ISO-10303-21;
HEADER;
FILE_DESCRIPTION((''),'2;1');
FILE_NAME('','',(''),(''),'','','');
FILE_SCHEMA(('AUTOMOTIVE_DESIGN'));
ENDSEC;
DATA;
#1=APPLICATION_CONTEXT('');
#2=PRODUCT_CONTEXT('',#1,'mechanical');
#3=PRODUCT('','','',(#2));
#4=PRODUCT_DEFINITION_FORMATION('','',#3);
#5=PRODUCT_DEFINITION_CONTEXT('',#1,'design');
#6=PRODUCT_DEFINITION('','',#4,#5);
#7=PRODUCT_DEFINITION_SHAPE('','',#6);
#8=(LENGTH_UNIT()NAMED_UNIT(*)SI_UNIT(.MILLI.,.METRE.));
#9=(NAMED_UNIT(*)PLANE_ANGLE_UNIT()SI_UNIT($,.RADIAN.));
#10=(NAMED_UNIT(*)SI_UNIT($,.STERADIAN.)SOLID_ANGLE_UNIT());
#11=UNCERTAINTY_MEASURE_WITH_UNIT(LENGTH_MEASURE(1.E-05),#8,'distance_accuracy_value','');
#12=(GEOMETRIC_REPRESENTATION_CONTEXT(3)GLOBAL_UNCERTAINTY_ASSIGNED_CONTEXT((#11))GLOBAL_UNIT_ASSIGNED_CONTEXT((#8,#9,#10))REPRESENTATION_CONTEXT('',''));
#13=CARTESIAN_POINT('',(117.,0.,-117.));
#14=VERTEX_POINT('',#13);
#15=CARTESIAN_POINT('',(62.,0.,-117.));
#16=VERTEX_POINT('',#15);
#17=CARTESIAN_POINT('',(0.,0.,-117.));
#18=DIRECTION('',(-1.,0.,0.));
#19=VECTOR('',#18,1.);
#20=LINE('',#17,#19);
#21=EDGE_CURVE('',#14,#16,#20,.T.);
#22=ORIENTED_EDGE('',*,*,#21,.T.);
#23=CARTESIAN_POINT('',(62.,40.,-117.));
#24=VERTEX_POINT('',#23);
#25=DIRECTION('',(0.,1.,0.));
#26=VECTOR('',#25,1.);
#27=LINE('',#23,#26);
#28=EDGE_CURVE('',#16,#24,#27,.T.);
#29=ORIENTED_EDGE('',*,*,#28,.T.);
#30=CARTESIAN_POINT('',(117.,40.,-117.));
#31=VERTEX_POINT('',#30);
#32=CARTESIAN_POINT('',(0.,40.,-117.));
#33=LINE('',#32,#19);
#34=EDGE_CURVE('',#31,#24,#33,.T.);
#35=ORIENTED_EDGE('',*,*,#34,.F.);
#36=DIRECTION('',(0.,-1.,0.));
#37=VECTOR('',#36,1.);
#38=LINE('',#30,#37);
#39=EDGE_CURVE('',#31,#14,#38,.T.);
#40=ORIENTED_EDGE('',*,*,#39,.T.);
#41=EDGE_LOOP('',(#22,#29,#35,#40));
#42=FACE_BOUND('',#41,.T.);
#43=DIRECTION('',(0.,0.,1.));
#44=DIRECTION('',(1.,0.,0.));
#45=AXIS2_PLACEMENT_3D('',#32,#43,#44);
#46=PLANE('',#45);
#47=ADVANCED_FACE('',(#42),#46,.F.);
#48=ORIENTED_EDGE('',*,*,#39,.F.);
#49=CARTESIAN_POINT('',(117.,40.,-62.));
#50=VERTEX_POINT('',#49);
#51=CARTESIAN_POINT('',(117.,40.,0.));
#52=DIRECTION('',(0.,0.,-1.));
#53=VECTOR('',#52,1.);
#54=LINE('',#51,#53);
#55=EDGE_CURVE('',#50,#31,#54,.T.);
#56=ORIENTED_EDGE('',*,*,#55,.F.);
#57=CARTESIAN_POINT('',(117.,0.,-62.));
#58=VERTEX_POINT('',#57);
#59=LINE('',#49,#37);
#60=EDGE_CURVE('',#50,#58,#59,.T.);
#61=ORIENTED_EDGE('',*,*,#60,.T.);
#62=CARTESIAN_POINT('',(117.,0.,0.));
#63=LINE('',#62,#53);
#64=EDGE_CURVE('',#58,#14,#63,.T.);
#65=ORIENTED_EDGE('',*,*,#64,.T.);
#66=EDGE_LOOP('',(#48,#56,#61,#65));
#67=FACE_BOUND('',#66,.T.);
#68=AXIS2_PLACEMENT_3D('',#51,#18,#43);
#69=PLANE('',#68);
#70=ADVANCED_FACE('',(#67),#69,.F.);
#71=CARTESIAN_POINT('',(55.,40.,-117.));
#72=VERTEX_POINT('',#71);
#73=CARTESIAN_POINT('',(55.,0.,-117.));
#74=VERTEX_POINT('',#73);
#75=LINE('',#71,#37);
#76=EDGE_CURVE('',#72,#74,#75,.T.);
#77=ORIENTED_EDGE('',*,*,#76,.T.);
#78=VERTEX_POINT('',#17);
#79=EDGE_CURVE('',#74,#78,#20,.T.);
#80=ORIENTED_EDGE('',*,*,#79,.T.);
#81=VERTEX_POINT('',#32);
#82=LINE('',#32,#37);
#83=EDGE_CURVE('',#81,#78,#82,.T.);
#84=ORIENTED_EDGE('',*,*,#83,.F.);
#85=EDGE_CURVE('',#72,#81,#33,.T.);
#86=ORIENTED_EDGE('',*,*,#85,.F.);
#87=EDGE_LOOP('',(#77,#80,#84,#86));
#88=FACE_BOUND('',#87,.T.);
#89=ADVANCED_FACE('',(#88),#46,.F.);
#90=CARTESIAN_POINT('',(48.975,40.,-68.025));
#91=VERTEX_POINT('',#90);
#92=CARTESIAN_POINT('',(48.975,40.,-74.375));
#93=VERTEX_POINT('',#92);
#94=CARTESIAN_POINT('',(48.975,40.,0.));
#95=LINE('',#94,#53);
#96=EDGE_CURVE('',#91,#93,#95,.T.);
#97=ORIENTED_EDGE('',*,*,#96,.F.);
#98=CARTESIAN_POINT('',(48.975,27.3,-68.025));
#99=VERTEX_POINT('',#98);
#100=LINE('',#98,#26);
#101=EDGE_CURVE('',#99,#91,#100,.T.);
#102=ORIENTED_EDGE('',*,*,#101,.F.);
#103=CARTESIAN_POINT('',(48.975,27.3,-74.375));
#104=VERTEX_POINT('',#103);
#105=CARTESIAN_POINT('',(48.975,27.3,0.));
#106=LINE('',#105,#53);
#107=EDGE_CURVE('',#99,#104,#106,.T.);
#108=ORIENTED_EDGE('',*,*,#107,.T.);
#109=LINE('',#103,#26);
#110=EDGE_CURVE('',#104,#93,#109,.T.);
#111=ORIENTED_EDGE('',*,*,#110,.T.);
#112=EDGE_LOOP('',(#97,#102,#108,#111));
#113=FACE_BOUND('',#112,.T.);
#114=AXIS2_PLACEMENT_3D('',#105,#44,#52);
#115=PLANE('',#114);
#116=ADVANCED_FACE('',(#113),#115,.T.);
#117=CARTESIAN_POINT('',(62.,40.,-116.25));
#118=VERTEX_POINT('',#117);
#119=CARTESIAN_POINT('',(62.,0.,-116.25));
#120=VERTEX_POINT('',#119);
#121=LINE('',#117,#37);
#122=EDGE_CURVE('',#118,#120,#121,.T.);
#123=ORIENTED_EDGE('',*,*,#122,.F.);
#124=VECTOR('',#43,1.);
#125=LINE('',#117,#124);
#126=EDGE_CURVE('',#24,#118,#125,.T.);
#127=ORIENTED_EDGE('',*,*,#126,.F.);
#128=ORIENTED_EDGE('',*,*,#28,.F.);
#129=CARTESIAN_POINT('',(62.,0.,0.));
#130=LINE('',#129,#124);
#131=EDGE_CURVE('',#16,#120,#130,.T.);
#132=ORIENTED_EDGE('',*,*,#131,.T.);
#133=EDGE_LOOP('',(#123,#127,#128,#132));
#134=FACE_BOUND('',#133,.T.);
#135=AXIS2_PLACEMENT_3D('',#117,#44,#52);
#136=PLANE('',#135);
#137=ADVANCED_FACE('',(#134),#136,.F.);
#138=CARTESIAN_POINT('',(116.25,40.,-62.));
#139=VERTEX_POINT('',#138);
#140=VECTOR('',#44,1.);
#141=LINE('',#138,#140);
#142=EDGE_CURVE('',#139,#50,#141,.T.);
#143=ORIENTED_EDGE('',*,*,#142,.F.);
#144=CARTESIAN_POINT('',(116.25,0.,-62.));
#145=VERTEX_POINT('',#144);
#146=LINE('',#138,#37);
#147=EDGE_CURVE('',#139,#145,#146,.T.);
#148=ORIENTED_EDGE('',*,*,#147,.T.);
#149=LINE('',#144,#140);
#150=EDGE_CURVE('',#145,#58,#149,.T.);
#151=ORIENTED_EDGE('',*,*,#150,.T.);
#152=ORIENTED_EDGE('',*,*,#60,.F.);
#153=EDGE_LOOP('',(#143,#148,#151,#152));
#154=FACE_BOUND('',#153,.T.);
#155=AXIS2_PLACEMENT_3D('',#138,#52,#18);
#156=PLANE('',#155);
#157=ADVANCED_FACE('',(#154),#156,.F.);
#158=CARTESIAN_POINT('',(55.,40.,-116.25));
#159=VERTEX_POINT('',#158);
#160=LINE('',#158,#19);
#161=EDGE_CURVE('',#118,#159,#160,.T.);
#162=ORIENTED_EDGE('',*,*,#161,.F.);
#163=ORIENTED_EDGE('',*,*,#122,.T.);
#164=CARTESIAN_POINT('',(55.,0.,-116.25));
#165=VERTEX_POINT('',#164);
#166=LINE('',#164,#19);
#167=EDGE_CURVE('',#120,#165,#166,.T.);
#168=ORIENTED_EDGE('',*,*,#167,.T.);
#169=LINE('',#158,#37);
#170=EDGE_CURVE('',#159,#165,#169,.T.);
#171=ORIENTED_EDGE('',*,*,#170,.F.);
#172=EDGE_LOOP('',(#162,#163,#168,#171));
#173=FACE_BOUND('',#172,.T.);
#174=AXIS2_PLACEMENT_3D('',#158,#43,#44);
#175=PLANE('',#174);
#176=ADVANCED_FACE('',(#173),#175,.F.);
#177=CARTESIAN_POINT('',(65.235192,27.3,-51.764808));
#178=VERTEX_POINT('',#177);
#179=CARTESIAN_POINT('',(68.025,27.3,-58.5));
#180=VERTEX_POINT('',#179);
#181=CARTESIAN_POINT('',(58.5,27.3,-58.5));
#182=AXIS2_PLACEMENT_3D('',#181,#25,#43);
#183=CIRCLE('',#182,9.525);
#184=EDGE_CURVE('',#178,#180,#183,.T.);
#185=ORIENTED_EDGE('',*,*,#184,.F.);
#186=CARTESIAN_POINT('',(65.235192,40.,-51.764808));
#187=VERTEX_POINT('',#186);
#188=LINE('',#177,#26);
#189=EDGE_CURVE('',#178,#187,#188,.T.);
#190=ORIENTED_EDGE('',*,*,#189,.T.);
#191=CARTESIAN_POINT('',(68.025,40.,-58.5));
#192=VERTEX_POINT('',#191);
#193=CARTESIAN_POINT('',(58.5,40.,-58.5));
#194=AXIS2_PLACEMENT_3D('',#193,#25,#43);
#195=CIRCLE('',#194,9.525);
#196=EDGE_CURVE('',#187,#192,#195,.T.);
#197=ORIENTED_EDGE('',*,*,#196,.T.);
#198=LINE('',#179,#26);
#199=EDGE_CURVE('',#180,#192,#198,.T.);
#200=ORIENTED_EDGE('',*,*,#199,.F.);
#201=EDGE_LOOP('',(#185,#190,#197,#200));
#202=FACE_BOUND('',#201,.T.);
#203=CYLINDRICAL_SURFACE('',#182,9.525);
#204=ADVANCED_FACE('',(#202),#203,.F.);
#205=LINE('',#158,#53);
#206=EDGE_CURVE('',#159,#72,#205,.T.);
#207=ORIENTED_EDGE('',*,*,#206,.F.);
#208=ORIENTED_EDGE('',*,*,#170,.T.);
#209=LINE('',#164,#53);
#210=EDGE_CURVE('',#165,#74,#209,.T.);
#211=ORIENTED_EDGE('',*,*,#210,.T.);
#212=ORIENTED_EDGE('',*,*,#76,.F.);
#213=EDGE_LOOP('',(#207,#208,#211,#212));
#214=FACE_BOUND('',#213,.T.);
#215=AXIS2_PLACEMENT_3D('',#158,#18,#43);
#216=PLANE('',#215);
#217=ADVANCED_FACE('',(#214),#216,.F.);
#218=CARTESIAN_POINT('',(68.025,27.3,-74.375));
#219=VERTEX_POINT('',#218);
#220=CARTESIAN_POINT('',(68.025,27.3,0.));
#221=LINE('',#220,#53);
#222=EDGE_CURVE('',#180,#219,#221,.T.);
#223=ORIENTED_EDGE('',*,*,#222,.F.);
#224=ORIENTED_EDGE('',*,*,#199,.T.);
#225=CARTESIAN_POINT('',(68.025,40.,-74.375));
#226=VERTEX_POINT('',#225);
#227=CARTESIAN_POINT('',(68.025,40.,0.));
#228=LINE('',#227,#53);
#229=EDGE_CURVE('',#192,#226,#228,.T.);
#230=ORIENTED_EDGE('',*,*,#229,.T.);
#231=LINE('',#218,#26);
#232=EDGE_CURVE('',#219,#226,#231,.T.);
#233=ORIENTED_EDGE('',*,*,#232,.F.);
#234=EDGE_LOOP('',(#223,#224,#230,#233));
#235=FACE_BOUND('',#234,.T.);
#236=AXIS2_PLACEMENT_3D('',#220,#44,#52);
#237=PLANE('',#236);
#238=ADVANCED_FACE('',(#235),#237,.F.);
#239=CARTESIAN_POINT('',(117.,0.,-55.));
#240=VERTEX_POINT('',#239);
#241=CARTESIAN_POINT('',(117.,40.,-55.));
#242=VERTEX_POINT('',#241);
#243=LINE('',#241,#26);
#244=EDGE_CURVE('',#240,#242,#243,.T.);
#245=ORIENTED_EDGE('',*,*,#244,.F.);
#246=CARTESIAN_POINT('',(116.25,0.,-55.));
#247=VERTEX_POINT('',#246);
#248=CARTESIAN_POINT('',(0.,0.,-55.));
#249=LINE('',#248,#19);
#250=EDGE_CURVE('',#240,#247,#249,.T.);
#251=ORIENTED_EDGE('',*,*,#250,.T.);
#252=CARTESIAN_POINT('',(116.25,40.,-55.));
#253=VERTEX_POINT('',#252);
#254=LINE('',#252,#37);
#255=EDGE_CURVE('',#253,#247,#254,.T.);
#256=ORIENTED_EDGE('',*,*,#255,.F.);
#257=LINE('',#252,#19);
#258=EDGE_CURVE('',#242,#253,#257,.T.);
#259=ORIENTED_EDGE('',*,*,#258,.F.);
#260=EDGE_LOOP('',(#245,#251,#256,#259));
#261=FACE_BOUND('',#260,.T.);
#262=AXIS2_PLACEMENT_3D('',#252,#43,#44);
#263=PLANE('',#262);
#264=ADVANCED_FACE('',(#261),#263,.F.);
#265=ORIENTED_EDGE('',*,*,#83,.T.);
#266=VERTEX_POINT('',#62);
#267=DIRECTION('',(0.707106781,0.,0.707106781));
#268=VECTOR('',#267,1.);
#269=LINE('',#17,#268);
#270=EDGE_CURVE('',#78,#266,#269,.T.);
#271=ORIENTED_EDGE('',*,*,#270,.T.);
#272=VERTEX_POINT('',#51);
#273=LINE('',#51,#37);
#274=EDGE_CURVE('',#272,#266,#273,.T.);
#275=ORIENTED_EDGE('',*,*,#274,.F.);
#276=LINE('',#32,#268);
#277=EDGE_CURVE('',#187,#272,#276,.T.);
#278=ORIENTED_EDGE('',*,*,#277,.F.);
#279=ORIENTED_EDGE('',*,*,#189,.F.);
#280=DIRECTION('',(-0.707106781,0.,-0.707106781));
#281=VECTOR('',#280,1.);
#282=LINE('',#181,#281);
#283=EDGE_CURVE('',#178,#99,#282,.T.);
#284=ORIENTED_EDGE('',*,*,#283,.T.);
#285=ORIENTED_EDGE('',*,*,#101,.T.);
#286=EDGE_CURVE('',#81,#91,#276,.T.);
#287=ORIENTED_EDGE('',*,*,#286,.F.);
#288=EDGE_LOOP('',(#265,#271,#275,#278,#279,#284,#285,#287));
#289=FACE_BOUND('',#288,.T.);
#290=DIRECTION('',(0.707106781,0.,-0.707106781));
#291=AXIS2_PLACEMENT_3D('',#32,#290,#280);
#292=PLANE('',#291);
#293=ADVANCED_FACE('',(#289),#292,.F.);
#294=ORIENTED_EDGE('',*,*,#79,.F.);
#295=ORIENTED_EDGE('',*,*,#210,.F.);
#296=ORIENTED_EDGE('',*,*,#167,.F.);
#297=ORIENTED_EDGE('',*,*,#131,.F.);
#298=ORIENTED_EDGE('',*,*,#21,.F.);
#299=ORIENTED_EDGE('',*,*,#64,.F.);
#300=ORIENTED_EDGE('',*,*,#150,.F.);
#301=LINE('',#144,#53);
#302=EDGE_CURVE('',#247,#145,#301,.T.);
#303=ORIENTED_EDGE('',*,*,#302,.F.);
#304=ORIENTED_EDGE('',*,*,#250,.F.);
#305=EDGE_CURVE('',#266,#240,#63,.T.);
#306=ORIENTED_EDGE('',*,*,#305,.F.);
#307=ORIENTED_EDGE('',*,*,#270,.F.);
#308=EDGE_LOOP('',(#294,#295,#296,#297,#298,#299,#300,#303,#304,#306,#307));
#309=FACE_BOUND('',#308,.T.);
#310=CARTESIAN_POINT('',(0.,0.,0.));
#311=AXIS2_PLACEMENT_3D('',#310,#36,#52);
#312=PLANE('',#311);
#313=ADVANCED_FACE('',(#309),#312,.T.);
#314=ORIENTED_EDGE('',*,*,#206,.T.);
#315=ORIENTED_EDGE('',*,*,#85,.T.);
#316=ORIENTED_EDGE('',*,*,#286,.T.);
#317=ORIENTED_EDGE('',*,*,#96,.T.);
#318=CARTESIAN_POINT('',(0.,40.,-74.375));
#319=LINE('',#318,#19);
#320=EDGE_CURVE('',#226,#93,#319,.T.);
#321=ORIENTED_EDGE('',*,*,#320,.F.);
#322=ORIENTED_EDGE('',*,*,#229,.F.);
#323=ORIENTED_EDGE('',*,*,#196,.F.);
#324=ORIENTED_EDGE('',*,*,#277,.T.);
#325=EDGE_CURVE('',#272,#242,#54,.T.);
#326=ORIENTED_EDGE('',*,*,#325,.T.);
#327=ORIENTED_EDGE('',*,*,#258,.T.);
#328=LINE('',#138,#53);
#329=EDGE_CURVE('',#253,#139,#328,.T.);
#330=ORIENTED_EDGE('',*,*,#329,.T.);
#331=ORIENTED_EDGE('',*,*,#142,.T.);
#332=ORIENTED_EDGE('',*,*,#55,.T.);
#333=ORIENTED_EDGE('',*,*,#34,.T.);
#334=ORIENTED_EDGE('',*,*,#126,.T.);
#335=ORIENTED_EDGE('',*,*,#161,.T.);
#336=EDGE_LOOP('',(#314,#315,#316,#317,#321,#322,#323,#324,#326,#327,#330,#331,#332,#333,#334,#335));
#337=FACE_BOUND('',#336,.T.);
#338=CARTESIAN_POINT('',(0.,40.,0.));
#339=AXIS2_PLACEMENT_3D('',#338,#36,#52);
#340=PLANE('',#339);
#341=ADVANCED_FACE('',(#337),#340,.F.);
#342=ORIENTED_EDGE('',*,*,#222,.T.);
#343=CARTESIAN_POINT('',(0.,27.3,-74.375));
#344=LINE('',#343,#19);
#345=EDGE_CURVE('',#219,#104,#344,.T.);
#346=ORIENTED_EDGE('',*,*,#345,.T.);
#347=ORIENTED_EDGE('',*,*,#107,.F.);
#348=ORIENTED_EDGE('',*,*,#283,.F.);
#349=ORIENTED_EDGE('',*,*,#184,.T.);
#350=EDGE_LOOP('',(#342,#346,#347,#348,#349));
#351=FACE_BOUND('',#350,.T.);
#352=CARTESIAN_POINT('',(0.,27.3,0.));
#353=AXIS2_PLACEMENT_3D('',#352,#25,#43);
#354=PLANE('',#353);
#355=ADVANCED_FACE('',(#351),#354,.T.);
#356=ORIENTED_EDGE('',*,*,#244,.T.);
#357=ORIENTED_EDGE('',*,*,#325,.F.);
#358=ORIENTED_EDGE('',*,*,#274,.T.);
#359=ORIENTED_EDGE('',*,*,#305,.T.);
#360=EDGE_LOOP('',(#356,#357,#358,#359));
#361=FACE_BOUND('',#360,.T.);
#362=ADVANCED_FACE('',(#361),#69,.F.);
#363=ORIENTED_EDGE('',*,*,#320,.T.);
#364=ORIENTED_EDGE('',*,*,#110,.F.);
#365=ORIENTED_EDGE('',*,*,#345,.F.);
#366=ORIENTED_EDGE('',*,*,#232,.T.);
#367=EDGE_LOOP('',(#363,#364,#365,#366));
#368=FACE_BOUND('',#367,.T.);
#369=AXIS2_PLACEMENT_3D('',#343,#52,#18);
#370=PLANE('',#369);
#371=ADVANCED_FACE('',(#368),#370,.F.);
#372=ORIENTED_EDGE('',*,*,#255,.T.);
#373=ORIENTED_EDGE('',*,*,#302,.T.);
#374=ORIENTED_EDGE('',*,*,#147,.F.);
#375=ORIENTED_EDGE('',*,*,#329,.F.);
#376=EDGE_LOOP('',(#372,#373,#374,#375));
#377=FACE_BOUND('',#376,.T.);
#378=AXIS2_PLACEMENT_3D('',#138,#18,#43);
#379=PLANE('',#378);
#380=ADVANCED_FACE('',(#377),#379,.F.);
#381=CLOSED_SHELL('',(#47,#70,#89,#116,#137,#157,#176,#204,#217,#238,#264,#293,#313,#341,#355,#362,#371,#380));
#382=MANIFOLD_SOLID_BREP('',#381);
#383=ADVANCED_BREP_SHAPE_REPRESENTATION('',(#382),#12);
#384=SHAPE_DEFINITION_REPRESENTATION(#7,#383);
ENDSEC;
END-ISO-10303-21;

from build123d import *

# Parameters (mm, degrees)
SKETCH1_W           = 117
SKETCH1_H           = 117
BOSS_EXTRUDE1_DEPTH = 40
SKETCH2_W           = 10.53028371
SKETCH2_H           = 7.9375
CUT_EXTRUDE1_DEPTH  = 12.7
SKETCH7_W           = 7
SKETCH7_H           = 1.5
CUT_EXTRUDE5_DEPTH  = 171.22925718
CIRPATTERN3_COUNT   = 3
CIRPATTERN3_ANGLE   = 180
CUT_EXTRUDE12_DEPTH = 171.22925718


with BuildPart() as part:
    # Sketch1 → Boss-Extrude1 (new body)
    with BuildSketch(Plane(origin=(0, 0, 0), x_dir=(1, 0, 0), z_dir=(0, 1, 0))):
        with Locations((58.5, 58.5)):
            Rectangle(SKETCH1_W, SKETCH1_H)
    extrude(amount=BOSS_EXTRUDE1_DEPTH)

    # Sketch2 → Cut-Extrude1 (cut)
    with BuildSketch(Plane(origin=(0, 40, 0), x_dir=(1, 0, 0), z_dir=(0, 1, 0))):
        with BuildLine():
            ThreePointArc((63.765141855, 66.4375), (66.892737967, 63.004173), (68.025, 58.5))
            Line((68.025, 58.5), (68.025, 74.375))
            Line((68.025, 74.375), (48.975, 74.375))
            Line((48.975, 74.375), (48.975, 58.5))
            ThreePointArc((48.975, 58.5), (50.107262033, 63.004173), (53.234858145, 66.4375))
            ThreePointArc((53.234858145, 66.4375), (58.5, 68.025), (63.765141855, 66.4375))
        make_face()
        with BuildLine():
            ThreePointArc((63.765141855, 50.5625), (66.892737967, 53.995827), (68.025, 58.5))
            Line((68.025, 58.5), (63.765141855, 58.5))
            Line((63.765141855, 58.5), (63.765141855, 50.5625))
        make_face()
        with BuildLine():
            Line((63.765141855, 58.5), (68.025, 58.5))
            ThreePointArc((68.025, 58.5), (66.892737967, 63.004173), (63.765141855, 66.4375))
            Line((63.765141855, 66.4375), (63.765141855, 58.5))
        make_face()
        with BuildLine():
            Line((53.234858145, 50.5625), (53.234858145, 58.5))
            Line((53.234858145, 58.5), (48.975, 58.5))
            ThreePointArc((48.975, 58.5), (50.107262033, 53.995827), (53.234858145, 50.5625))
        make_face()
        with BuildLine():
            Line((48.975, 58.5), (53.234858145, 58.5))
            Line((53.234858145, 58.5), (53.234858145, 66.4375))
            ThreePointArc((53.234858145, 66.4375), (50.107262033, 63.004173), (48.975, 58.5))
        make_face()
        with Locations((58.5, 62.46875)):
            Rectangle(SKETCH2_W, SKETCH2_H)
        with BuildLine():
            Line((53.234858145, 66.4375), (63.765141855, 66.4375))
            ThreePointArc((63.765141855, 66.4375), (58.5, 68.025), (53.234858145, 66.4375))
        make_face()
        with BuildLine():
            ThreePointArc((63.765141855, 50.5625), (66.892737967, 53.995827), (68.025, 58.5))
            Line((68.025, 58.5), (63.765141855, 58.5))
            Line((63.765141855, 58.5), (63.765141855, 50.5625))
        make_face()
        with BuildLine():
            Line((63.765141855, 58.5), (68.025, 58.5))
            ThreePointArc((68.025, 58.5), (66.892737967, 63.004173), (63.765141855, 66.4375))
            Line((63.765141855, 66.4375), (63.765141855, 58.5))
        make_face()
        with BuildLine():
            Line((53.234858145, 50.5625), (53.234858145, 58.5))
            Line((53.234858145, 58.5), (48.975, 58.5))
            ThreePointArc((48.975, 58.5), (50.107262033, 53.995827), (53.234858145, 50.5625))
        make_face()
        with BuildLine():
            Line((48.975, 58.5), (53.234858145, 58.5))
            Line((53.234858145, 58.5), (53.234858145, 66.4375))
            ThreePointArc((53.234858145, 66.4375), (50.107262033, 63.004173), (48.975, 58.5))
        make_face()
        with Locations((58.5, 54.53125)):
            Rectangle(SKETCH2_W, SKETCH2_H)
    extrude(amount=-CUT_EXTRUDE1_DEPTH, mode=Mode.SUBTRACT)

    # Sketch7 → Cut-Extrude5 (cut, through all)
    with BuildSketch(Plane.XZ):
        with Locations((58.5, -117)):
            Rectangle(SKETCH7_W, SKETCH7_H)
    cut_extrude5 = extrude(amount=-CUT_EXTRUDE5_DEPTH, mode=Mode.SUBTRACT)

    # CirPattern3: Cut-Extrude5 ×3 about axis
    cirpattern3_axis = Axis((58.5, 0, -58.5), (0, -1, 0))
    for i in range(1, CIRPATTERN3_COUNT):
        add(cut_extrude5.rotate(cirpattern3_axis, i * CIRPATTERN3_ANGLE / (CIRPATTERN3_COUNT - 1)), mode=Mode.SUBTRACT)

    # Sketch11 → Cut-Extrude12 (cut, through all)
    with BuildSketch(Plane.XZ):
        Polygon((0, -117), (117, 0), (54.653996097, 62.346003903), (-62.346003903, -54.653996097), align=None)
    extrude(amount=-CUT_EXTRUDE12_DEPTH, mode=Mode.SUBTRACT)


solid = part.part
